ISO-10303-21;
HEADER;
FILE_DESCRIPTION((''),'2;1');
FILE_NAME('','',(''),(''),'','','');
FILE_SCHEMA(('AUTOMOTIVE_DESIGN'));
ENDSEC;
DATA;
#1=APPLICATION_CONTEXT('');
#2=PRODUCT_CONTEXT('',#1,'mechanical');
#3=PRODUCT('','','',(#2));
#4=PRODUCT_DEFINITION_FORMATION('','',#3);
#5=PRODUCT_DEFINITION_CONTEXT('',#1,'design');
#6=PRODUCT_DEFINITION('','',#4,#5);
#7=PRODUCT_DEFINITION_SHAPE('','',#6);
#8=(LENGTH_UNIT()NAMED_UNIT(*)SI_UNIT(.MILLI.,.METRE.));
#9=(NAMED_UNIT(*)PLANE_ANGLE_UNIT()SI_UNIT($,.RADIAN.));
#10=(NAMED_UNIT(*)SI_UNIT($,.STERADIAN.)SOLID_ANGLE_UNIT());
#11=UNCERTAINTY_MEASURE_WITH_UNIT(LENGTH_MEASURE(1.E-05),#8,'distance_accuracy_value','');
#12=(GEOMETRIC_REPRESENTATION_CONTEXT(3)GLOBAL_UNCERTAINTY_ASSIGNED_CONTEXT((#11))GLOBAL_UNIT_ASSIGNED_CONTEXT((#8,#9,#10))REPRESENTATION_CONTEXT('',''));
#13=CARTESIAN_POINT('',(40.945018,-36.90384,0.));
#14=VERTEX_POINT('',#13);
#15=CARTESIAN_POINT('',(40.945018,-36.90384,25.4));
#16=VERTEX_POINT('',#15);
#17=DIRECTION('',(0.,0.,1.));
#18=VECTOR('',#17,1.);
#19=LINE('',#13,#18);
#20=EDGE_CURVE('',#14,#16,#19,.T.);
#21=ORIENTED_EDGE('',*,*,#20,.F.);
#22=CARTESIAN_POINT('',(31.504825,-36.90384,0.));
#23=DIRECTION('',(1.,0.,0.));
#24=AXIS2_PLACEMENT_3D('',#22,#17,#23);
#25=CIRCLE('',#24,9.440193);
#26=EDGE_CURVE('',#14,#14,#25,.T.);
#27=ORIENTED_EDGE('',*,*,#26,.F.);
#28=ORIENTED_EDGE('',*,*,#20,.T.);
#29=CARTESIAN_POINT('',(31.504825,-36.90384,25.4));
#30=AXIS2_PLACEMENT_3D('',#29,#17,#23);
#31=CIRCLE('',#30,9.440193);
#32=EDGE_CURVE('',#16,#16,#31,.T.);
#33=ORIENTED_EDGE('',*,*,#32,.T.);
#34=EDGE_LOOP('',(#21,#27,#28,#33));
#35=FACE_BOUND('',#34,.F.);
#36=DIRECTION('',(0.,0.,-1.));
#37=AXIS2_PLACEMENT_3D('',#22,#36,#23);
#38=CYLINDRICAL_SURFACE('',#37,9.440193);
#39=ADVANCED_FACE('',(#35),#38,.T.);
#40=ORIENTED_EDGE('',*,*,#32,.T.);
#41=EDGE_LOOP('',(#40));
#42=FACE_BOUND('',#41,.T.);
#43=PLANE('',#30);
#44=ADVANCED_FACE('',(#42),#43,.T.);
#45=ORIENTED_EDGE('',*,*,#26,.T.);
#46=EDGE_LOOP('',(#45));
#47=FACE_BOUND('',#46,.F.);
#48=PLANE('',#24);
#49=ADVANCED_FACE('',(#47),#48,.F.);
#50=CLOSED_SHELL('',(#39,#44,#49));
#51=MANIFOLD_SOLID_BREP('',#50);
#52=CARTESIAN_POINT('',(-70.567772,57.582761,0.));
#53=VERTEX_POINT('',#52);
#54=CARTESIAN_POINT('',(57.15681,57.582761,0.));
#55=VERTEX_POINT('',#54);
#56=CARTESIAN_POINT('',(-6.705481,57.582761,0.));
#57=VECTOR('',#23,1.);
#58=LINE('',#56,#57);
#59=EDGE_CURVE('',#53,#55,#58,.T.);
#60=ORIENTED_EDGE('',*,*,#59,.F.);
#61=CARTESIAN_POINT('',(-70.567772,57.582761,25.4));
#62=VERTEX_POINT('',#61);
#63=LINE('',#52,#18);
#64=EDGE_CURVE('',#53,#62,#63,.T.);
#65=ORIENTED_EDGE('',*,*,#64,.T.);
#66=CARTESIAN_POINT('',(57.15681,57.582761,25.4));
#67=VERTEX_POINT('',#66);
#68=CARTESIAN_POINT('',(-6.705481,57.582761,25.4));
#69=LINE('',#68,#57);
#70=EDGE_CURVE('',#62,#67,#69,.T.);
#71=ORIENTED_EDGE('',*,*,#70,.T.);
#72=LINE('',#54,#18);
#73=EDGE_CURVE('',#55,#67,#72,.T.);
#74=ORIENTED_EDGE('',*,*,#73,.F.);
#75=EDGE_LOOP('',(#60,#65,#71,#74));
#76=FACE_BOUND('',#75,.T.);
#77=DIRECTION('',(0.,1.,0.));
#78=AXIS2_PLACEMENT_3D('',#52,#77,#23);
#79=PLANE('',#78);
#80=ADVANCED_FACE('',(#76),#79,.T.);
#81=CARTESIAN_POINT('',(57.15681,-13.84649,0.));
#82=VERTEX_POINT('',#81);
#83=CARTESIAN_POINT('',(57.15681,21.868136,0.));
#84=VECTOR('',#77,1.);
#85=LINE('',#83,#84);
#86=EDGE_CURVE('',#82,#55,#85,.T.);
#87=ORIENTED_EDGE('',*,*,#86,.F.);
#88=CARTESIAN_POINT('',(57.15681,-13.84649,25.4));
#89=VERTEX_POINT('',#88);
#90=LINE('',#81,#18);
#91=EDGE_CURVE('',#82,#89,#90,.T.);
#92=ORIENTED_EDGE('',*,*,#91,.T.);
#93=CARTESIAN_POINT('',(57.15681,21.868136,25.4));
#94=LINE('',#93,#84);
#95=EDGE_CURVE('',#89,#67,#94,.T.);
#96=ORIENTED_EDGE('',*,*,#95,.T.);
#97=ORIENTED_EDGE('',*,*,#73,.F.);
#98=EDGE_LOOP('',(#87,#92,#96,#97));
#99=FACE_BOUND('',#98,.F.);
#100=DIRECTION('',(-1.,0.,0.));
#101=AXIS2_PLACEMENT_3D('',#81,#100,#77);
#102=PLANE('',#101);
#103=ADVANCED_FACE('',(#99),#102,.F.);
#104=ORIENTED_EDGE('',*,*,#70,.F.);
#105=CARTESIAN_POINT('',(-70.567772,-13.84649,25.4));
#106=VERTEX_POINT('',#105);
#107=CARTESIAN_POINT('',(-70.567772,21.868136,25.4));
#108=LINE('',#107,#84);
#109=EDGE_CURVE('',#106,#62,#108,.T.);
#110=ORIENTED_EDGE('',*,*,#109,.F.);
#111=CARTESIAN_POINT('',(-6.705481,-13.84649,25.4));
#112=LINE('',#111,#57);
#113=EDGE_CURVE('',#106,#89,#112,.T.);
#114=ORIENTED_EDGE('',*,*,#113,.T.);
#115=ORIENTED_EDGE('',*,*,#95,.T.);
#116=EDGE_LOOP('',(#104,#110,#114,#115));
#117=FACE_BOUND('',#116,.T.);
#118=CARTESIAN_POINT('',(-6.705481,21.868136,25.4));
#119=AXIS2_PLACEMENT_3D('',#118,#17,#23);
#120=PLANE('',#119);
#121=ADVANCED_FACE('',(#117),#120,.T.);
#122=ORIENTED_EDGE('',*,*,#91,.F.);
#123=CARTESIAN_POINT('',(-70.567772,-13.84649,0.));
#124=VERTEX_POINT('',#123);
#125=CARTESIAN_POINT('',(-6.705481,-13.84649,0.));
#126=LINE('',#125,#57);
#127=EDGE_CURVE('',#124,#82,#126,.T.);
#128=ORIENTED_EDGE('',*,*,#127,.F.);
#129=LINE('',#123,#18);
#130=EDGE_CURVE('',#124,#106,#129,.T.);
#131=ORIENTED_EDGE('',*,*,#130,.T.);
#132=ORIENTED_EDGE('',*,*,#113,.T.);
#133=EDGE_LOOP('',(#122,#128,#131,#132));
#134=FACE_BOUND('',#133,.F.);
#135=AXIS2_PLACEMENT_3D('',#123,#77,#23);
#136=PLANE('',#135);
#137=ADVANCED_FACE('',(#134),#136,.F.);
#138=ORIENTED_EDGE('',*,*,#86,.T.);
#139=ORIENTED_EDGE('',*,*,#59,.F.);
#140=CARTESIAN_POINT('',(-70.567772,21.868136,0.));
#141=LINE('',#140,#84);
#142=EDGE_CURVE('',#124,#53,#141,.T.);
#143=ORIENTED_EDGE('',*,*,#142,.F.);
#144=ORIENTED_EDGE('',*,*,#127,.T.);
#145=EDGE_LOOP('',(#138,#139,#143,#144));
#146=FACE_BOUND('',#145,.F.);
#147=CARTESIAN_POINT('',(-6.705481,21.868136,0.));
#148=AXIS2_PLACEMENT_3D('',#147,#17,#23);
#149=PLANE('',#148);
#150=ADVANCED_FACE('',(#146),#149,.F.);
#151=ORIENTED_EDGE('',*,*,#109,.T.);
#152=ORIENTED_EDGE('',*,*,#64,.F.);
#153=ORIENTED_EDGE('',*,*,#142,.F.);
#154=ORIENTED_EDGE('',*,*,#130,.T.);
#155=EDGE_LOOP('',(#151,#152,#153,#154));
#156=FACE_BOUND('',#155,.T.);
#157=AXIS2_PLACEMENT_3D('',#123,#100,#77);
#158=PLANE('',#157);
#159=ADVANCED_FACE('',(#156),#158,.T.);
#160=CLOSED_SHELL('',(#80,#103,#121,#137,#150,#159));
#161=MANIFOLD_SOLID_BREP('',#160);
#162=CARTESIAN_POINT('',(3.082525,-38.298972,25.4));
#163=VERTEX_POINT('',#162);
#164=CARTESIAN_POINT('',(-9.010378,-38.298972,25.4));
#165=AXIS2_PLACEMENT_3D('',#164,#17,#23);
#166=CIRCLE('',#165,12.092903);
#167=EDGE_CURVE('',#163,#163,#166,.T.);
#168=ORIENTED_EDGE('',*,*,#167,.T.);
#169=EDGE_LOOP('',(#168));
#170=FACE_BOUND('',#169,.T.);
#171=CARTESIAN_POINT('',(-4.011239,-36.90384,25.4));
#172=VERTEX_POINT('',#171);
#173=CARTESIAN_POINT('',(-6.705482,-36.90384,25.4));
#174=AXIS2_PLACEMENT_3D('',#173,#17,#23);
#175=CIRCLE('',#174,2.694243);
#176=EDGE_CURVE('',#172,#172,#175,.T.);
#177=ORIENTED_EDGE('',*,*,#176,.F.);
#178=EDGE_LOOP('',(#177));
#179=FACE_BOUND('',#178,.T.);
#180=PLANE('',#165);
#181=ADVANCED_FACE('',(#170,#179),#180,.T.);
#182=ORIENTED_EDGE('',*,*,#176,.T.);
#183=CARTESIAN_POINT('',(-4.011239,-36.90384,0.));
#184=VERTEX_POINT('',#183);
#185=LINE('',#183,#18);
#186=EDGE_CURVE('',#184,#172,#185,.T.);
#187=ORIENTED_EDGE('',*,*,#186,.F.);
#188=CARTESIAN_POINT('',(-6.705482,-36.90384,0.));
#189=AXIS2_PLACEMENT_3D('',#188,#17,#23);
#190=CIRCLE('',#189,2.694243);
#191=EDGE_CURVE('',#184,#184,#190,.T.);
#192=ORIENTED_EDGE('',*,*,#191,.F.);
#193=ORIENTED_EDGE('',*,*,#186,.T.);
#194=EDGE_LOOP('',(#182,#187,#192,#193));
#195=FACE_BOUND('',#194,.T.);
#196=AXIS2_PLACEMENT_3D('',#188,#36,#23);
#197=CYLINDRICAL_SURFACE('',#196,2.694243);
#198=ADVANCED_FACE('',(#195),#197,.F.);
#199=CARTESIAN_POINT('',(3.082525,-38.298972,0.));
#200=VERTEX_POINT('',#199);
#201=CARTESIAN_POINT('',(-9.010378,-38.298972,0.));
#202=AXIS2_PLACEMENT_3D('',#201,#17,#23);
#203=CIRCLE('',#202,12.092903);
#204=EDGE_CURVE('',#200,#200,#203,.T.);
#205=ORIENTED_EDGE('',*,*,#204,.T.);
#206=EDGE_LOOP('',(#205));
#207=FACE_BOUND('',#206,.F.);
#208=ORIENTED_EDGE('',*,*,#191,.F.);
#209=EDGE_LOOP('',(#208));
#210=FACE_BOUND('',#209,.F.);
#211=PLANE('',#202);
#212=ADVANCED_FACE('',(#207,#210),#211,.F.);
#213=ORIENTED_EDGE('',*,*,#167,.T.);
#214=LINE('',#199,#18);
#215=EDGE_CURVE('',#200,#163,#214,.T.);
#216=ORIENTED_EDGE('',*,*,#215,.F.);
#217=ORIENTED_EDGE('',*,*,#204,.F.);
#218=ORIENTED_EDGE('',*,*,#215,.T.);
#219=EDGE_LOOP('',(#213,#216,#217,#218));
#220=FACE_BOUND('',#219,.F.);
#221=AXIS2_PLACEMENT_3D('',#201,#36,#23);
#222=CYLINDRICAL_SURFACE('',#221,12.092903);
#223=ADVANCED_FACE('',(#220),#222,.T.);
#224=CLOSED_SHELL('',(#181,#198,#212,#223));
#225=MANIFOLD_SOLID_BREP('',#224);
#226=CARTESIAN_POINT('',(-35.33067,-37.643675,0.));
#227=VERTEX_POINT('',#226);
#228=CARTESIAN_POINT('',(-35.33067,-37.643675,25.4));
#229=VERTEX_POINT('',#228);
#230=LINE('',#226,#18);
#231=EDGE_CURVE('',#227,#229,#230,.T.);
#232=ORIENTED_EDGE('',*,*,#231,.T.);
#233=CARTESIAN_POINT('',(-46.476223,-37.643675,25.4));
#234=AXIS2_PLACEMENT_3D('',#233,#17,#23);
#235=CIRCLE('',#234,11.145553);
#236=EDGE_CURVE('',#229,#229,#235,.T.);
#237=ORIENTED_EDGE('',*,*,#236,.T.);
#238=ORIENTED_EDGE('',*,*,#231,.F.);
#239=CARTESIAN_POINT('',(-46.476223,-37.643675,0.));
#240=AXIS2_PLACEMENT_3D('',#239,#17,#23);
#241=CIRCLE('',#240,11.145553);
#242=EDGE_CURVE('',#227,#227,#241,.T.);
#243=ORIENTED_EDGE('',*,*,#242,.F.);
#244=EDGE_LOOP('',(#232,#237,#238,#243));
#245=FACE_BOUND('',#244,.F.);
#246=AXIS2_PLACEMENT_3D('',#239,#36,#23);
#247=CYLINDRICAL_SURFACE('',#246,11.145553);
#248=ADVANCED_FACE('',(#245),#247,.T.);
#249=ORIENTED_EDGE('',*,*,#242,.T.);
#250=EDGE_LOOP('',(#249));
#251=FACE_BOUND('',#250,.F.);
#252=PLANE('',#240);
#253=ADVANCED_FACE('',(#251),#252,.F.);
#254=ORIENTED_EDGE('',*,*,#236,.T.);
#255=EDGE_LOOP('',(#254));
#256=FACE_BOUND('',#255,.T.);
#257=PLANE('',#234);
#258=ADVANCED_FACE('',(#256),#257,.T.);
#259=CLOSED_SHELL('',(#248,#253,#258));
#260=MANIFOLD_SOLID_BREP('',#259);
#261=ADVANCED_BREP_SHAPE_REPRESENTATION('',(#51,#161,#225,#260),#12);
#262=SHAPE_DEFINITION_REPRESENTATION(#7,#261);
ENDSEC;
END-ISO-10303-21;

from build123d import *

# Parameters (mm, degrees)
F0_W     = 127.724581
F0_H     = 71.429251
F0_R     = 9.440193
F0_R_2   = 12.092903
F0_R_3   = 2.694243
F0_R_4   = 11.145553
F1_DEPTH = 25.4


with BuildPart() as f1:
    # F0 (on Top) → F1 (new body)
    with BuildSketch(Plane.XY):
        with Locations((-6.705481, 21.868136)):
            Rectangle(F0_W, F0_H)
        with Locations((31.504825, -36.90384)):
            Circle(F0_R)
        with Locations((-9.010378, -38.298972)):
            Circle(F0_R_2)
        with Locations((-6.705482, -36.90384)):
            Circle(F0_R_3, mode=Mode.SUBTRACT)
        with Locations((-46.476223, -37.643675)):
            Circle(F0_R_4)
    extrude(amount=F1_DEPTH)


solid = f1.part
